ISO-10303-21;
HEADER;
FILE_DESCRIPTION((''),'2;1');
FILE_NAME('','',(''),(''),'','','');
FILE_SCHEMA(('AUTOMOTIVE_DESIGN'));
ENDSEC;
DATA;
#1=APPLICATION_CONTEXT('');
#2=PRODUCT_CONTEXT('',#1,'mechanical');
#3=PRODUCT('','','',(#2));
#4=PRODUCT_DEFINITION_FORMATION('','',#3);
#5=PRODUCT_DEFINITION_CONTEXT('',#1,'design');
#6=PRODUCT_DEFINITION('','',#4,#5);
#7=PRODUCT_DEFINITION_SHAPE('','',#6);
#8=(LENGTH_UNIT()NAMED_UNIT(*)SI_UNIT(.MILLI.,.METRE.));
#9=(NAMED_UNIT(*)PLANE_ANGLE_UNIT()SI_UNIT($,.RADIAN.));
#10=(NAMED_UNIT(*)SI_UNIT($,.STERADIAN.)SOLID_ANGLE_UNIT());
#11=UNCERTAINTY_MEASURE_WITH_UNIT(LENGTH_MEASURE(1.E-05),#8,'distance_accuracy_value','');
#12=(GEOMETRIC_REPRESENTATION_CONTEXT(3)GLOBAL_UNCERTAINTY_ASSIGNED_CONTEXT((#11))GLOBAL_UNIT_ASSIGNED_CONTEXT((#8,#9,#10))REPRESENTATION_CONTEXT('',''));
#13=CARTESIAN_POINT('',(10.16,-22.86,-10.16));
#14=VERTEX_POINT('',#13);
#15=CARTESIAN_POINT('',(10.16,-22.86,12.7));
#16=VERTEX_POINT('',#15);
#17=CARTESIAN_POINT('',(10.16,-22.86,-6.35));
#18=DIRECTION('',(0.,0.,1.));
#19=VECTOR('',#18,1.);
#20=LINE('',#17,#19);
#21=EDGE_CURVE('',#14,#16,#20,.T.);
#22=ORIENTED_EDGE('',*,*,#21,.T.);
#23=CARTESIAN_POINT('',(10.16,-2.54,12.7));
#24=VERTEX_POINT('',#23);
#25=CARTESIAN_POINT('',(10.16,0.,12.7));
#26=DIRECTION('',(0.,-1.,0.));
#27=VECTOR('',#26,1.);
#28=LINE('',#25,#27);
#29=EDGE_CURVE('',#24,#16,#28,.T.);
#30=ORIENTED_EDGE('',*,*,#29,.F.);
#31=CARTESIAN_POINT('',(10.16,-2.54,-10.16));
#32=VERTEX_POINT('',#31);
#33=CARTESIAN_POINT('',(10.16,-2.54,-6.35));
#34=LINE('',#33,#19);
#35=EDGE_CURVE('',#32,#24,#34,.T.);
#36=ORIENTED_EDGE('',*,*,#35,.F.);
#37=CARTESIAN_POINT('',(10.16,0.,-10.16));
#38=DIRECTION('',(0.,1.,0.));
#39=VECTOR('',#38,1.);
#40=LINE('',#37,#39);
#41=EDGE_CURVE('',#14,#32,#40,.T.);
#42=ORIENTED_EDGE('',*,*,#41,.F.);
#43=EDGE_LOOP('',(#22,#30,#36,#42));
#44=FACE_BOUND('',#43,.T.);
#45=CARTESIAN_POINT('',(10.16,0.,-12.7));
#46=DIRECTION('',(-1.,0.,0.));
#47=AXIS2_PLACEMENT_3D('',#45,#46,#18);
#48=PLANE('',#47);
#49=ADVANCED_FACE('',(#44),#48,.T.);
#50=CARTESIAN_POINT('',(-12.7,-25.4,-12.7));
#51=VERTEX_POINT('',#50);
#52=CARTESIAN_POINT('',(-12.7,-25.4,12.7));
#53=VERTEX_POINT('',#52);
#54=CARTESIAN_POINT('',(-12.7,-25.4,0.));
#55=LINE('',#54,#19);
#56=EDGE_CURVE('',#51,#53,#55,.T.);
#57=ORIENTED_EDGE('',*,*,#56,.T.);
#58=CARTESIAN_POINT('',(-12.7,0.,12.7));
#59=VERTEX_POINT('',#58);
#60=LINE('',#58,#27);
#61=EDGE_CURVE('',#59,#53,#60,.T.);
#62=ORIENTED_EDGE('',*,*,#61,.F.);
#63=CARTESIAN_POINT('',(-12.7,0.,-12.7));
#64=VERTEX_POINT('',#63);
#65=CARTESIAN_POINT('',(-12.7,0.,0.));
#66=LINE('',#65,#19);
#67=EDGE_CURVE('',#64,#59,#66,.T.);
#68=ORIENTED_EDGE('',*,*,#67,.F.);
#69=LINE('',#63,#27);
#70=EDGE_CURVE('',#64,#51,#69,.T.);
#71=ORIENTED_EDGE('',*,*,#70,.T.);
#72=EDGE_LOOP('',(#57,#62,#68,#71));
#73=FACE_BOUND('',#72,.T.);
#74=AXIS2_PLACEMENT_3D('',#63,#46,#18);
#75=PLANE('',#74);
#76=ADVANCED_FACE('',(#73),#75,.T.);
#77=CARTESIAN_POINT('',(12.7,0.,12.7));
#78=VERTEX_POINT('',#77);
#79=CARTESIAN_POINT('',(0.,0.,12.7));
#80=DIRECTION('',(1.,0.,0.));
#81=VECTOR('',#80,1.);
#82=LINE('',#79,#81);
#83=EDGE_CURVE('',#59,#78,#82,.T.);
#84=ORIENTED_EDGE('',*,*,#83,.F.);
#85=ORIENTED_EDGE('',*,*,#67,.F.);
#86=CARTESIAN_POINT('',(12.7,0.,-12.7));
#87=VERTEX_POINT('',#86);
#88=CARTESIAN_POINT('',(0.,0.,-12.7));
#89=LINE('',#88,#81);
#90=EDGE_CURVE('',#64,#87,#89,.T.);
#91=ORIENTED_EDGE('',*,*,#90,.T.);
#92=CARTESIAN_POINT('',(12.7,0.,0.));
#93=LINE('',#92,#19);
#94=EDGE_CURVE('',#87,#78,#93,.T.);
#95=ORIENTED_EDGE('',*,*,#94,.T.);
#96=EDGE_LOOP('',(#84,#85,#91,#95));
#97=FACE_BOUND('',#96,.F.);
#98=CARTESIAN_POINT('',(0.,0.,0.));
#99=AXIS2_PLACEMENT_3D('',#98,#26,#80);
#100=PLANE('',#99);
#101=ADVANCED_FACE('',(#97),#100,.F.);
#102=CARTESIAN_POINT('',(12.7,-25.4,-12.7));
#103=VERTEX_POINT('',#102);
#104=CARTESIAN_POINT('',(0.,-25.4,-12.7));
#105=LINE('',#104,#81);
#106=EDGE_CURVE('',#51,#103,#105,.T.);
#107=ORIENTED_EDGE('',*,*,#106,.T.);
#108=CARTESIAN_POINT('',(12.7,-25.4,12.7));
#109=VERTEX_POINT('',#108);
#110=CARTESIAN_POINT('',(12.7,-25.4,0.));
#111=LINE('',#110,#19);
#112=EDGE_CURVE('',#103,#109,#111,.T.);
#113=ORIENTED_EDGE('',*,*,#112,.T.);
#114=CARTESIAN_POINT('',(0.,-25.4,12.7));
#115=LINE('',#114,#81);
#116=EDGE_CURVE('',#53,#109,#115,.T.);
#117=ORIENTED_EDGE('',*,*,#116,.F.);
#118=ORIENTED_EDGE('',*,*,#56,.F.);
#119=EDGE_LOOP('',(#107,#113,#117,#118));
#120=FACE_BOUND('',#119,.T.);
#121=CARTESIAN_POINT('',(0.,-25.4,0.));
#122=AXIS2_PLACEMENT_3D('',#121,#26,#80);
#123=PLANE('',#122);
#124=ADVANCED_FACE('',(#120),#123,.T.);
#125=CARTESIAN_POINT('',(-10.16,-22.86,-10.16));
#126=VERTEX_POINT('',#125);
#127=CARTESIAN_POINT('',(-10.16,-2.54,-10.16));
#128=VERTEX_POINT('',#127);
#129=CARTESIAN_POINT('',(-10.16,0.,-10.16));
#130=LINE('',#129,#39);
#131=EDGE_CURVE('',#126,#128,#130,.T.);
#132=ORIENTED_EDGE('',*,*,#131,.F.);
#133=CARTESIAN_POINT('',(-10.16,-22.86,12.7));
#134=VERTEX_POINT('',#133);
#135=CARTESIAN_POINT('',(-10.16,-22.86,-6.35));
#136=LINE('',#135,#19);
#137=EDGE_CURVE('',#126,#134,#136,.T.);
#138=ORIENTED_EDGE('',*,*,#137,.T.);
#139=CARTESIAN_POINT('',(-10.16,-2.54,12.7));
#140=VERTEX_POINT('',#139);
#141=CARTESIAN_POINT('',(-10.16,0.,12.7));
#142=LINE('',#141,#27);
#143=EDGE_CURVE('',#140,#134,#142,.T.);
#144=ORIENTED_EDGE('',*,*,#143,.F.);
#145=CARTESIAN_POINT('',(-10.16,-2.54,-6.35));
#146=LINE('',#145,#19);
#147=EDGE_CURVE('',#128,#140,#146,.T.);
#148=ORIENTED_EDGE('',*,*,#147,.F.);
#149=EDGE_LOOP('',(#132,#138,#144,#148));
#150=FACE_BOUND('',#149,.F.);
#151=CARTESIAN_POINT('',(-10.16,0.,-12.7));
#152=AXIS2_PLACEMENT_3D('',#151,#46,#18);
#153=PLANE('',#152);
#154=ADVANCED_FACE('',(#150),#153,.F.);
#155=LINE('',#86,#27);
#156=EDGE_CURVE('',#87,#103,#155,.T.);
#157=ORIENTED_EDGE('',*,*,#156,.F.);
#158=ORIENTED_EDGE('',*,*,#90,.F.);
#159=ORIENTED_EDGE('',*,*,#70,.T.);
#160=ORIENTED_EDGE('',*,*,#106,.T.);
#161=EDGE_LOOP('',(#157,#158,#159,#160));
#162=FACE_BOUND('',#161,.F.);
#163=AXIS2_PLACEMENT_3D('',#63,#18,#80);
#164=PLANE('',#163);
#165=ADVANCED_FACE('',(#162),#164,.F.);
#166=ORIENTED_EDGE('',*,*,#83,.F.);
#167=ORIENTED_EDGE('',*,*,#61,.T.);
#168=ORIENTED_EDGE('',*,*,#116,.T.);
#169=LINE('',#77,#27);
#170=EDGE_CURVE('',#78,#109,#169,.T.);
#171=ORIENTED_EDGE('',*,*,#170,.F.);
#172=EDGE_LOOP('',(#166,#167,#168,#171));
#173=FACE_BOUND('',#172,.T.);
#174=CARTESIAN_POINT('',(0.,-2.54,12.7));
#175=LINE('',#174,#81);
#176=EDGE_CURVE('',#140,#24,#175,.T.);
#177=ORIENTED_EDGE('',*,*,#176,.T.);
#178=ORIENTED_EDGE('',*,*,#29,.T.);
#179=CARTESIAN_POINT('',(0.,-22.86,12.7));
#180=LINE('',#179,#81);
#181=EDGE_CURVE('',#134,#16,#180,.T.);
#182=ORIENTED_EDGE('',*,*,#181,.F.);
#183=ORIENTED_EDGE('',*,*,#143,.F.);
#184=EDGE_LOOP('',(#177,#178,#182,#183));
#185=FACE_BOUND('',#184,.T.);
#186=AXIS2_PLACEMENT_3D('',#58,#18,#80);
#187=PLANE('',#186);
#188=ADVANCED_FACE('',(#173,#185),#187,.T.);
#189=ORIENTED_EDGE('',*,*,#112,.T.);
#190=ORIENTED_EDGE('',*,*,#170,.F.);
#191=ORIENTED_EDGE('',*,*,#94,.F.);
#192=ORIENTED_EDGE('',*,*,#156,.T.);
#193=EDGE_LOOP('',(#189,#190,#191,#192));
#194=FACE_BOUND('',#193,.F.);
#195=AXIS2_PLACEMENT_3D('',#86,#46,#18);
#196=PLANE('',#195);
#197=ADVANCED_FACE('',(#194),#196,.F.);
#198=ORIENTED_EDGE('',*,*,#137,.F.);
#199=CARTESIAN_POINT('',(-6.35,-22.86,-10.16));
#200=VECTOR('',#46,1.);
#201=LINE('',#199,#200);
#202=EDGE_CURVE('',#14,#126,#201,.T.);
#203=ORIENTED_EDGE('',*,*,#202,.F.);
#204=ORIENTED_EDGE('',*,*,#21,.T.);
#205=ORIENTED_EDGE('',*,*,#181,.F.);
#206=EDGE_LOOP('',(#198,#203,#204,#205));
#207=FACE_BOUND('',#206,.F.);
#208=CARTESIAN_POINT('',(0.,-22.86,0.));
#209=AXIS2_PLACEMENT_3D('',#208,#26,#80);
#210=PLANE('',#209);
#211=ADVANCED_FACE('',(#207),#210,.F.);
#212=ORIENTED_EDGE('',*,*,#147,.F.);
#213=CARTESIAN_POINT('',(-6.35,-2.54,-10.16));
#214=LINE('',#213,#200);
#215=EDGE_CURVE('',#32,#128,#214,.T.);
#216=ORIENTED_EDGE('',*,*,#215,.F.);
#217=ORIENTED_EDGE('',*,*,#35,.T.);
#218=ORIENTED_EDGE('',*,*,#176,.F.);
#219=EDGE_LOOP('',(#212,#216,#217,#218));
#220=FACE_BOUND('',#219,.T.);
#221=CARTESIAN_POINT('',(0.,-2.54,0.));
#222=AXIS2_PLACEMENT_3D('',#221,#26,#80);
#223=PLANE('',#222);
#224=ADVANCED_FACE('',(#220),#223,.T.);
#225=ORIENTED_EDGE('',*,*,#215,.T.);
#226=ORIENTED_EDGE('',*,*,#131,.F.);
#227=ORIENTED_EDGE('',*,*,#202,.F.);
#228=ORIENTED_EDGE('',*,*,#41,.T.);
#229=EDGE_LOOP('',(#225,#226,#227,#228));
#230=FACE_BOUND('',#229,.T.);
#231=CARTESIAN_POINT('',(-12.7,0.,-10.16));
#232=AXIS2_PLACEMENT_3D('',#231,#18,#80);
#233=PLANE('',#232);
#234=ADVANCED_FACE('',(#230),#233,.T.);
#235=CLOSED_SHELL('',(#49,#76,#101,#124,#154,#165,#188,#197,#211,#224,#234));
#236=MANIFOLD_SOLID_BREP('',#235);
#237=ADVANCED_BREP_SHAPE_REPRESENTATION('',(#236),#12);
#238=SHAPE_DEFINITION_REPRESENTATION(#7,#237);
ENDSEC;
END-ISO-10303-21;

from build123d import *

# Parameters (mm, degrees)
F0_W     = 25.4
F0_H     = 25.4
F1_DEPTH = 25.4
F2_T     = -2.54


with BuildPart() as f1:
    # F0 (on Front) → F1 (new body)
    with BuildSketch(Plane.XZ):
        Rectangle(F0_W, F0_H)
    extrude(amount=F1_DEPTH)

    # F2
    f2_openings = [f1.faces().sort_by_distance(p)[0] for p in [
        (0, -12.7, 12.7),
    ]]
    offset(amount=F2_T, openings=f2_openings)


with BuildPart() as f3_1:
    # F3: copy of F1
    add(f1.part)


solid = f1.part
